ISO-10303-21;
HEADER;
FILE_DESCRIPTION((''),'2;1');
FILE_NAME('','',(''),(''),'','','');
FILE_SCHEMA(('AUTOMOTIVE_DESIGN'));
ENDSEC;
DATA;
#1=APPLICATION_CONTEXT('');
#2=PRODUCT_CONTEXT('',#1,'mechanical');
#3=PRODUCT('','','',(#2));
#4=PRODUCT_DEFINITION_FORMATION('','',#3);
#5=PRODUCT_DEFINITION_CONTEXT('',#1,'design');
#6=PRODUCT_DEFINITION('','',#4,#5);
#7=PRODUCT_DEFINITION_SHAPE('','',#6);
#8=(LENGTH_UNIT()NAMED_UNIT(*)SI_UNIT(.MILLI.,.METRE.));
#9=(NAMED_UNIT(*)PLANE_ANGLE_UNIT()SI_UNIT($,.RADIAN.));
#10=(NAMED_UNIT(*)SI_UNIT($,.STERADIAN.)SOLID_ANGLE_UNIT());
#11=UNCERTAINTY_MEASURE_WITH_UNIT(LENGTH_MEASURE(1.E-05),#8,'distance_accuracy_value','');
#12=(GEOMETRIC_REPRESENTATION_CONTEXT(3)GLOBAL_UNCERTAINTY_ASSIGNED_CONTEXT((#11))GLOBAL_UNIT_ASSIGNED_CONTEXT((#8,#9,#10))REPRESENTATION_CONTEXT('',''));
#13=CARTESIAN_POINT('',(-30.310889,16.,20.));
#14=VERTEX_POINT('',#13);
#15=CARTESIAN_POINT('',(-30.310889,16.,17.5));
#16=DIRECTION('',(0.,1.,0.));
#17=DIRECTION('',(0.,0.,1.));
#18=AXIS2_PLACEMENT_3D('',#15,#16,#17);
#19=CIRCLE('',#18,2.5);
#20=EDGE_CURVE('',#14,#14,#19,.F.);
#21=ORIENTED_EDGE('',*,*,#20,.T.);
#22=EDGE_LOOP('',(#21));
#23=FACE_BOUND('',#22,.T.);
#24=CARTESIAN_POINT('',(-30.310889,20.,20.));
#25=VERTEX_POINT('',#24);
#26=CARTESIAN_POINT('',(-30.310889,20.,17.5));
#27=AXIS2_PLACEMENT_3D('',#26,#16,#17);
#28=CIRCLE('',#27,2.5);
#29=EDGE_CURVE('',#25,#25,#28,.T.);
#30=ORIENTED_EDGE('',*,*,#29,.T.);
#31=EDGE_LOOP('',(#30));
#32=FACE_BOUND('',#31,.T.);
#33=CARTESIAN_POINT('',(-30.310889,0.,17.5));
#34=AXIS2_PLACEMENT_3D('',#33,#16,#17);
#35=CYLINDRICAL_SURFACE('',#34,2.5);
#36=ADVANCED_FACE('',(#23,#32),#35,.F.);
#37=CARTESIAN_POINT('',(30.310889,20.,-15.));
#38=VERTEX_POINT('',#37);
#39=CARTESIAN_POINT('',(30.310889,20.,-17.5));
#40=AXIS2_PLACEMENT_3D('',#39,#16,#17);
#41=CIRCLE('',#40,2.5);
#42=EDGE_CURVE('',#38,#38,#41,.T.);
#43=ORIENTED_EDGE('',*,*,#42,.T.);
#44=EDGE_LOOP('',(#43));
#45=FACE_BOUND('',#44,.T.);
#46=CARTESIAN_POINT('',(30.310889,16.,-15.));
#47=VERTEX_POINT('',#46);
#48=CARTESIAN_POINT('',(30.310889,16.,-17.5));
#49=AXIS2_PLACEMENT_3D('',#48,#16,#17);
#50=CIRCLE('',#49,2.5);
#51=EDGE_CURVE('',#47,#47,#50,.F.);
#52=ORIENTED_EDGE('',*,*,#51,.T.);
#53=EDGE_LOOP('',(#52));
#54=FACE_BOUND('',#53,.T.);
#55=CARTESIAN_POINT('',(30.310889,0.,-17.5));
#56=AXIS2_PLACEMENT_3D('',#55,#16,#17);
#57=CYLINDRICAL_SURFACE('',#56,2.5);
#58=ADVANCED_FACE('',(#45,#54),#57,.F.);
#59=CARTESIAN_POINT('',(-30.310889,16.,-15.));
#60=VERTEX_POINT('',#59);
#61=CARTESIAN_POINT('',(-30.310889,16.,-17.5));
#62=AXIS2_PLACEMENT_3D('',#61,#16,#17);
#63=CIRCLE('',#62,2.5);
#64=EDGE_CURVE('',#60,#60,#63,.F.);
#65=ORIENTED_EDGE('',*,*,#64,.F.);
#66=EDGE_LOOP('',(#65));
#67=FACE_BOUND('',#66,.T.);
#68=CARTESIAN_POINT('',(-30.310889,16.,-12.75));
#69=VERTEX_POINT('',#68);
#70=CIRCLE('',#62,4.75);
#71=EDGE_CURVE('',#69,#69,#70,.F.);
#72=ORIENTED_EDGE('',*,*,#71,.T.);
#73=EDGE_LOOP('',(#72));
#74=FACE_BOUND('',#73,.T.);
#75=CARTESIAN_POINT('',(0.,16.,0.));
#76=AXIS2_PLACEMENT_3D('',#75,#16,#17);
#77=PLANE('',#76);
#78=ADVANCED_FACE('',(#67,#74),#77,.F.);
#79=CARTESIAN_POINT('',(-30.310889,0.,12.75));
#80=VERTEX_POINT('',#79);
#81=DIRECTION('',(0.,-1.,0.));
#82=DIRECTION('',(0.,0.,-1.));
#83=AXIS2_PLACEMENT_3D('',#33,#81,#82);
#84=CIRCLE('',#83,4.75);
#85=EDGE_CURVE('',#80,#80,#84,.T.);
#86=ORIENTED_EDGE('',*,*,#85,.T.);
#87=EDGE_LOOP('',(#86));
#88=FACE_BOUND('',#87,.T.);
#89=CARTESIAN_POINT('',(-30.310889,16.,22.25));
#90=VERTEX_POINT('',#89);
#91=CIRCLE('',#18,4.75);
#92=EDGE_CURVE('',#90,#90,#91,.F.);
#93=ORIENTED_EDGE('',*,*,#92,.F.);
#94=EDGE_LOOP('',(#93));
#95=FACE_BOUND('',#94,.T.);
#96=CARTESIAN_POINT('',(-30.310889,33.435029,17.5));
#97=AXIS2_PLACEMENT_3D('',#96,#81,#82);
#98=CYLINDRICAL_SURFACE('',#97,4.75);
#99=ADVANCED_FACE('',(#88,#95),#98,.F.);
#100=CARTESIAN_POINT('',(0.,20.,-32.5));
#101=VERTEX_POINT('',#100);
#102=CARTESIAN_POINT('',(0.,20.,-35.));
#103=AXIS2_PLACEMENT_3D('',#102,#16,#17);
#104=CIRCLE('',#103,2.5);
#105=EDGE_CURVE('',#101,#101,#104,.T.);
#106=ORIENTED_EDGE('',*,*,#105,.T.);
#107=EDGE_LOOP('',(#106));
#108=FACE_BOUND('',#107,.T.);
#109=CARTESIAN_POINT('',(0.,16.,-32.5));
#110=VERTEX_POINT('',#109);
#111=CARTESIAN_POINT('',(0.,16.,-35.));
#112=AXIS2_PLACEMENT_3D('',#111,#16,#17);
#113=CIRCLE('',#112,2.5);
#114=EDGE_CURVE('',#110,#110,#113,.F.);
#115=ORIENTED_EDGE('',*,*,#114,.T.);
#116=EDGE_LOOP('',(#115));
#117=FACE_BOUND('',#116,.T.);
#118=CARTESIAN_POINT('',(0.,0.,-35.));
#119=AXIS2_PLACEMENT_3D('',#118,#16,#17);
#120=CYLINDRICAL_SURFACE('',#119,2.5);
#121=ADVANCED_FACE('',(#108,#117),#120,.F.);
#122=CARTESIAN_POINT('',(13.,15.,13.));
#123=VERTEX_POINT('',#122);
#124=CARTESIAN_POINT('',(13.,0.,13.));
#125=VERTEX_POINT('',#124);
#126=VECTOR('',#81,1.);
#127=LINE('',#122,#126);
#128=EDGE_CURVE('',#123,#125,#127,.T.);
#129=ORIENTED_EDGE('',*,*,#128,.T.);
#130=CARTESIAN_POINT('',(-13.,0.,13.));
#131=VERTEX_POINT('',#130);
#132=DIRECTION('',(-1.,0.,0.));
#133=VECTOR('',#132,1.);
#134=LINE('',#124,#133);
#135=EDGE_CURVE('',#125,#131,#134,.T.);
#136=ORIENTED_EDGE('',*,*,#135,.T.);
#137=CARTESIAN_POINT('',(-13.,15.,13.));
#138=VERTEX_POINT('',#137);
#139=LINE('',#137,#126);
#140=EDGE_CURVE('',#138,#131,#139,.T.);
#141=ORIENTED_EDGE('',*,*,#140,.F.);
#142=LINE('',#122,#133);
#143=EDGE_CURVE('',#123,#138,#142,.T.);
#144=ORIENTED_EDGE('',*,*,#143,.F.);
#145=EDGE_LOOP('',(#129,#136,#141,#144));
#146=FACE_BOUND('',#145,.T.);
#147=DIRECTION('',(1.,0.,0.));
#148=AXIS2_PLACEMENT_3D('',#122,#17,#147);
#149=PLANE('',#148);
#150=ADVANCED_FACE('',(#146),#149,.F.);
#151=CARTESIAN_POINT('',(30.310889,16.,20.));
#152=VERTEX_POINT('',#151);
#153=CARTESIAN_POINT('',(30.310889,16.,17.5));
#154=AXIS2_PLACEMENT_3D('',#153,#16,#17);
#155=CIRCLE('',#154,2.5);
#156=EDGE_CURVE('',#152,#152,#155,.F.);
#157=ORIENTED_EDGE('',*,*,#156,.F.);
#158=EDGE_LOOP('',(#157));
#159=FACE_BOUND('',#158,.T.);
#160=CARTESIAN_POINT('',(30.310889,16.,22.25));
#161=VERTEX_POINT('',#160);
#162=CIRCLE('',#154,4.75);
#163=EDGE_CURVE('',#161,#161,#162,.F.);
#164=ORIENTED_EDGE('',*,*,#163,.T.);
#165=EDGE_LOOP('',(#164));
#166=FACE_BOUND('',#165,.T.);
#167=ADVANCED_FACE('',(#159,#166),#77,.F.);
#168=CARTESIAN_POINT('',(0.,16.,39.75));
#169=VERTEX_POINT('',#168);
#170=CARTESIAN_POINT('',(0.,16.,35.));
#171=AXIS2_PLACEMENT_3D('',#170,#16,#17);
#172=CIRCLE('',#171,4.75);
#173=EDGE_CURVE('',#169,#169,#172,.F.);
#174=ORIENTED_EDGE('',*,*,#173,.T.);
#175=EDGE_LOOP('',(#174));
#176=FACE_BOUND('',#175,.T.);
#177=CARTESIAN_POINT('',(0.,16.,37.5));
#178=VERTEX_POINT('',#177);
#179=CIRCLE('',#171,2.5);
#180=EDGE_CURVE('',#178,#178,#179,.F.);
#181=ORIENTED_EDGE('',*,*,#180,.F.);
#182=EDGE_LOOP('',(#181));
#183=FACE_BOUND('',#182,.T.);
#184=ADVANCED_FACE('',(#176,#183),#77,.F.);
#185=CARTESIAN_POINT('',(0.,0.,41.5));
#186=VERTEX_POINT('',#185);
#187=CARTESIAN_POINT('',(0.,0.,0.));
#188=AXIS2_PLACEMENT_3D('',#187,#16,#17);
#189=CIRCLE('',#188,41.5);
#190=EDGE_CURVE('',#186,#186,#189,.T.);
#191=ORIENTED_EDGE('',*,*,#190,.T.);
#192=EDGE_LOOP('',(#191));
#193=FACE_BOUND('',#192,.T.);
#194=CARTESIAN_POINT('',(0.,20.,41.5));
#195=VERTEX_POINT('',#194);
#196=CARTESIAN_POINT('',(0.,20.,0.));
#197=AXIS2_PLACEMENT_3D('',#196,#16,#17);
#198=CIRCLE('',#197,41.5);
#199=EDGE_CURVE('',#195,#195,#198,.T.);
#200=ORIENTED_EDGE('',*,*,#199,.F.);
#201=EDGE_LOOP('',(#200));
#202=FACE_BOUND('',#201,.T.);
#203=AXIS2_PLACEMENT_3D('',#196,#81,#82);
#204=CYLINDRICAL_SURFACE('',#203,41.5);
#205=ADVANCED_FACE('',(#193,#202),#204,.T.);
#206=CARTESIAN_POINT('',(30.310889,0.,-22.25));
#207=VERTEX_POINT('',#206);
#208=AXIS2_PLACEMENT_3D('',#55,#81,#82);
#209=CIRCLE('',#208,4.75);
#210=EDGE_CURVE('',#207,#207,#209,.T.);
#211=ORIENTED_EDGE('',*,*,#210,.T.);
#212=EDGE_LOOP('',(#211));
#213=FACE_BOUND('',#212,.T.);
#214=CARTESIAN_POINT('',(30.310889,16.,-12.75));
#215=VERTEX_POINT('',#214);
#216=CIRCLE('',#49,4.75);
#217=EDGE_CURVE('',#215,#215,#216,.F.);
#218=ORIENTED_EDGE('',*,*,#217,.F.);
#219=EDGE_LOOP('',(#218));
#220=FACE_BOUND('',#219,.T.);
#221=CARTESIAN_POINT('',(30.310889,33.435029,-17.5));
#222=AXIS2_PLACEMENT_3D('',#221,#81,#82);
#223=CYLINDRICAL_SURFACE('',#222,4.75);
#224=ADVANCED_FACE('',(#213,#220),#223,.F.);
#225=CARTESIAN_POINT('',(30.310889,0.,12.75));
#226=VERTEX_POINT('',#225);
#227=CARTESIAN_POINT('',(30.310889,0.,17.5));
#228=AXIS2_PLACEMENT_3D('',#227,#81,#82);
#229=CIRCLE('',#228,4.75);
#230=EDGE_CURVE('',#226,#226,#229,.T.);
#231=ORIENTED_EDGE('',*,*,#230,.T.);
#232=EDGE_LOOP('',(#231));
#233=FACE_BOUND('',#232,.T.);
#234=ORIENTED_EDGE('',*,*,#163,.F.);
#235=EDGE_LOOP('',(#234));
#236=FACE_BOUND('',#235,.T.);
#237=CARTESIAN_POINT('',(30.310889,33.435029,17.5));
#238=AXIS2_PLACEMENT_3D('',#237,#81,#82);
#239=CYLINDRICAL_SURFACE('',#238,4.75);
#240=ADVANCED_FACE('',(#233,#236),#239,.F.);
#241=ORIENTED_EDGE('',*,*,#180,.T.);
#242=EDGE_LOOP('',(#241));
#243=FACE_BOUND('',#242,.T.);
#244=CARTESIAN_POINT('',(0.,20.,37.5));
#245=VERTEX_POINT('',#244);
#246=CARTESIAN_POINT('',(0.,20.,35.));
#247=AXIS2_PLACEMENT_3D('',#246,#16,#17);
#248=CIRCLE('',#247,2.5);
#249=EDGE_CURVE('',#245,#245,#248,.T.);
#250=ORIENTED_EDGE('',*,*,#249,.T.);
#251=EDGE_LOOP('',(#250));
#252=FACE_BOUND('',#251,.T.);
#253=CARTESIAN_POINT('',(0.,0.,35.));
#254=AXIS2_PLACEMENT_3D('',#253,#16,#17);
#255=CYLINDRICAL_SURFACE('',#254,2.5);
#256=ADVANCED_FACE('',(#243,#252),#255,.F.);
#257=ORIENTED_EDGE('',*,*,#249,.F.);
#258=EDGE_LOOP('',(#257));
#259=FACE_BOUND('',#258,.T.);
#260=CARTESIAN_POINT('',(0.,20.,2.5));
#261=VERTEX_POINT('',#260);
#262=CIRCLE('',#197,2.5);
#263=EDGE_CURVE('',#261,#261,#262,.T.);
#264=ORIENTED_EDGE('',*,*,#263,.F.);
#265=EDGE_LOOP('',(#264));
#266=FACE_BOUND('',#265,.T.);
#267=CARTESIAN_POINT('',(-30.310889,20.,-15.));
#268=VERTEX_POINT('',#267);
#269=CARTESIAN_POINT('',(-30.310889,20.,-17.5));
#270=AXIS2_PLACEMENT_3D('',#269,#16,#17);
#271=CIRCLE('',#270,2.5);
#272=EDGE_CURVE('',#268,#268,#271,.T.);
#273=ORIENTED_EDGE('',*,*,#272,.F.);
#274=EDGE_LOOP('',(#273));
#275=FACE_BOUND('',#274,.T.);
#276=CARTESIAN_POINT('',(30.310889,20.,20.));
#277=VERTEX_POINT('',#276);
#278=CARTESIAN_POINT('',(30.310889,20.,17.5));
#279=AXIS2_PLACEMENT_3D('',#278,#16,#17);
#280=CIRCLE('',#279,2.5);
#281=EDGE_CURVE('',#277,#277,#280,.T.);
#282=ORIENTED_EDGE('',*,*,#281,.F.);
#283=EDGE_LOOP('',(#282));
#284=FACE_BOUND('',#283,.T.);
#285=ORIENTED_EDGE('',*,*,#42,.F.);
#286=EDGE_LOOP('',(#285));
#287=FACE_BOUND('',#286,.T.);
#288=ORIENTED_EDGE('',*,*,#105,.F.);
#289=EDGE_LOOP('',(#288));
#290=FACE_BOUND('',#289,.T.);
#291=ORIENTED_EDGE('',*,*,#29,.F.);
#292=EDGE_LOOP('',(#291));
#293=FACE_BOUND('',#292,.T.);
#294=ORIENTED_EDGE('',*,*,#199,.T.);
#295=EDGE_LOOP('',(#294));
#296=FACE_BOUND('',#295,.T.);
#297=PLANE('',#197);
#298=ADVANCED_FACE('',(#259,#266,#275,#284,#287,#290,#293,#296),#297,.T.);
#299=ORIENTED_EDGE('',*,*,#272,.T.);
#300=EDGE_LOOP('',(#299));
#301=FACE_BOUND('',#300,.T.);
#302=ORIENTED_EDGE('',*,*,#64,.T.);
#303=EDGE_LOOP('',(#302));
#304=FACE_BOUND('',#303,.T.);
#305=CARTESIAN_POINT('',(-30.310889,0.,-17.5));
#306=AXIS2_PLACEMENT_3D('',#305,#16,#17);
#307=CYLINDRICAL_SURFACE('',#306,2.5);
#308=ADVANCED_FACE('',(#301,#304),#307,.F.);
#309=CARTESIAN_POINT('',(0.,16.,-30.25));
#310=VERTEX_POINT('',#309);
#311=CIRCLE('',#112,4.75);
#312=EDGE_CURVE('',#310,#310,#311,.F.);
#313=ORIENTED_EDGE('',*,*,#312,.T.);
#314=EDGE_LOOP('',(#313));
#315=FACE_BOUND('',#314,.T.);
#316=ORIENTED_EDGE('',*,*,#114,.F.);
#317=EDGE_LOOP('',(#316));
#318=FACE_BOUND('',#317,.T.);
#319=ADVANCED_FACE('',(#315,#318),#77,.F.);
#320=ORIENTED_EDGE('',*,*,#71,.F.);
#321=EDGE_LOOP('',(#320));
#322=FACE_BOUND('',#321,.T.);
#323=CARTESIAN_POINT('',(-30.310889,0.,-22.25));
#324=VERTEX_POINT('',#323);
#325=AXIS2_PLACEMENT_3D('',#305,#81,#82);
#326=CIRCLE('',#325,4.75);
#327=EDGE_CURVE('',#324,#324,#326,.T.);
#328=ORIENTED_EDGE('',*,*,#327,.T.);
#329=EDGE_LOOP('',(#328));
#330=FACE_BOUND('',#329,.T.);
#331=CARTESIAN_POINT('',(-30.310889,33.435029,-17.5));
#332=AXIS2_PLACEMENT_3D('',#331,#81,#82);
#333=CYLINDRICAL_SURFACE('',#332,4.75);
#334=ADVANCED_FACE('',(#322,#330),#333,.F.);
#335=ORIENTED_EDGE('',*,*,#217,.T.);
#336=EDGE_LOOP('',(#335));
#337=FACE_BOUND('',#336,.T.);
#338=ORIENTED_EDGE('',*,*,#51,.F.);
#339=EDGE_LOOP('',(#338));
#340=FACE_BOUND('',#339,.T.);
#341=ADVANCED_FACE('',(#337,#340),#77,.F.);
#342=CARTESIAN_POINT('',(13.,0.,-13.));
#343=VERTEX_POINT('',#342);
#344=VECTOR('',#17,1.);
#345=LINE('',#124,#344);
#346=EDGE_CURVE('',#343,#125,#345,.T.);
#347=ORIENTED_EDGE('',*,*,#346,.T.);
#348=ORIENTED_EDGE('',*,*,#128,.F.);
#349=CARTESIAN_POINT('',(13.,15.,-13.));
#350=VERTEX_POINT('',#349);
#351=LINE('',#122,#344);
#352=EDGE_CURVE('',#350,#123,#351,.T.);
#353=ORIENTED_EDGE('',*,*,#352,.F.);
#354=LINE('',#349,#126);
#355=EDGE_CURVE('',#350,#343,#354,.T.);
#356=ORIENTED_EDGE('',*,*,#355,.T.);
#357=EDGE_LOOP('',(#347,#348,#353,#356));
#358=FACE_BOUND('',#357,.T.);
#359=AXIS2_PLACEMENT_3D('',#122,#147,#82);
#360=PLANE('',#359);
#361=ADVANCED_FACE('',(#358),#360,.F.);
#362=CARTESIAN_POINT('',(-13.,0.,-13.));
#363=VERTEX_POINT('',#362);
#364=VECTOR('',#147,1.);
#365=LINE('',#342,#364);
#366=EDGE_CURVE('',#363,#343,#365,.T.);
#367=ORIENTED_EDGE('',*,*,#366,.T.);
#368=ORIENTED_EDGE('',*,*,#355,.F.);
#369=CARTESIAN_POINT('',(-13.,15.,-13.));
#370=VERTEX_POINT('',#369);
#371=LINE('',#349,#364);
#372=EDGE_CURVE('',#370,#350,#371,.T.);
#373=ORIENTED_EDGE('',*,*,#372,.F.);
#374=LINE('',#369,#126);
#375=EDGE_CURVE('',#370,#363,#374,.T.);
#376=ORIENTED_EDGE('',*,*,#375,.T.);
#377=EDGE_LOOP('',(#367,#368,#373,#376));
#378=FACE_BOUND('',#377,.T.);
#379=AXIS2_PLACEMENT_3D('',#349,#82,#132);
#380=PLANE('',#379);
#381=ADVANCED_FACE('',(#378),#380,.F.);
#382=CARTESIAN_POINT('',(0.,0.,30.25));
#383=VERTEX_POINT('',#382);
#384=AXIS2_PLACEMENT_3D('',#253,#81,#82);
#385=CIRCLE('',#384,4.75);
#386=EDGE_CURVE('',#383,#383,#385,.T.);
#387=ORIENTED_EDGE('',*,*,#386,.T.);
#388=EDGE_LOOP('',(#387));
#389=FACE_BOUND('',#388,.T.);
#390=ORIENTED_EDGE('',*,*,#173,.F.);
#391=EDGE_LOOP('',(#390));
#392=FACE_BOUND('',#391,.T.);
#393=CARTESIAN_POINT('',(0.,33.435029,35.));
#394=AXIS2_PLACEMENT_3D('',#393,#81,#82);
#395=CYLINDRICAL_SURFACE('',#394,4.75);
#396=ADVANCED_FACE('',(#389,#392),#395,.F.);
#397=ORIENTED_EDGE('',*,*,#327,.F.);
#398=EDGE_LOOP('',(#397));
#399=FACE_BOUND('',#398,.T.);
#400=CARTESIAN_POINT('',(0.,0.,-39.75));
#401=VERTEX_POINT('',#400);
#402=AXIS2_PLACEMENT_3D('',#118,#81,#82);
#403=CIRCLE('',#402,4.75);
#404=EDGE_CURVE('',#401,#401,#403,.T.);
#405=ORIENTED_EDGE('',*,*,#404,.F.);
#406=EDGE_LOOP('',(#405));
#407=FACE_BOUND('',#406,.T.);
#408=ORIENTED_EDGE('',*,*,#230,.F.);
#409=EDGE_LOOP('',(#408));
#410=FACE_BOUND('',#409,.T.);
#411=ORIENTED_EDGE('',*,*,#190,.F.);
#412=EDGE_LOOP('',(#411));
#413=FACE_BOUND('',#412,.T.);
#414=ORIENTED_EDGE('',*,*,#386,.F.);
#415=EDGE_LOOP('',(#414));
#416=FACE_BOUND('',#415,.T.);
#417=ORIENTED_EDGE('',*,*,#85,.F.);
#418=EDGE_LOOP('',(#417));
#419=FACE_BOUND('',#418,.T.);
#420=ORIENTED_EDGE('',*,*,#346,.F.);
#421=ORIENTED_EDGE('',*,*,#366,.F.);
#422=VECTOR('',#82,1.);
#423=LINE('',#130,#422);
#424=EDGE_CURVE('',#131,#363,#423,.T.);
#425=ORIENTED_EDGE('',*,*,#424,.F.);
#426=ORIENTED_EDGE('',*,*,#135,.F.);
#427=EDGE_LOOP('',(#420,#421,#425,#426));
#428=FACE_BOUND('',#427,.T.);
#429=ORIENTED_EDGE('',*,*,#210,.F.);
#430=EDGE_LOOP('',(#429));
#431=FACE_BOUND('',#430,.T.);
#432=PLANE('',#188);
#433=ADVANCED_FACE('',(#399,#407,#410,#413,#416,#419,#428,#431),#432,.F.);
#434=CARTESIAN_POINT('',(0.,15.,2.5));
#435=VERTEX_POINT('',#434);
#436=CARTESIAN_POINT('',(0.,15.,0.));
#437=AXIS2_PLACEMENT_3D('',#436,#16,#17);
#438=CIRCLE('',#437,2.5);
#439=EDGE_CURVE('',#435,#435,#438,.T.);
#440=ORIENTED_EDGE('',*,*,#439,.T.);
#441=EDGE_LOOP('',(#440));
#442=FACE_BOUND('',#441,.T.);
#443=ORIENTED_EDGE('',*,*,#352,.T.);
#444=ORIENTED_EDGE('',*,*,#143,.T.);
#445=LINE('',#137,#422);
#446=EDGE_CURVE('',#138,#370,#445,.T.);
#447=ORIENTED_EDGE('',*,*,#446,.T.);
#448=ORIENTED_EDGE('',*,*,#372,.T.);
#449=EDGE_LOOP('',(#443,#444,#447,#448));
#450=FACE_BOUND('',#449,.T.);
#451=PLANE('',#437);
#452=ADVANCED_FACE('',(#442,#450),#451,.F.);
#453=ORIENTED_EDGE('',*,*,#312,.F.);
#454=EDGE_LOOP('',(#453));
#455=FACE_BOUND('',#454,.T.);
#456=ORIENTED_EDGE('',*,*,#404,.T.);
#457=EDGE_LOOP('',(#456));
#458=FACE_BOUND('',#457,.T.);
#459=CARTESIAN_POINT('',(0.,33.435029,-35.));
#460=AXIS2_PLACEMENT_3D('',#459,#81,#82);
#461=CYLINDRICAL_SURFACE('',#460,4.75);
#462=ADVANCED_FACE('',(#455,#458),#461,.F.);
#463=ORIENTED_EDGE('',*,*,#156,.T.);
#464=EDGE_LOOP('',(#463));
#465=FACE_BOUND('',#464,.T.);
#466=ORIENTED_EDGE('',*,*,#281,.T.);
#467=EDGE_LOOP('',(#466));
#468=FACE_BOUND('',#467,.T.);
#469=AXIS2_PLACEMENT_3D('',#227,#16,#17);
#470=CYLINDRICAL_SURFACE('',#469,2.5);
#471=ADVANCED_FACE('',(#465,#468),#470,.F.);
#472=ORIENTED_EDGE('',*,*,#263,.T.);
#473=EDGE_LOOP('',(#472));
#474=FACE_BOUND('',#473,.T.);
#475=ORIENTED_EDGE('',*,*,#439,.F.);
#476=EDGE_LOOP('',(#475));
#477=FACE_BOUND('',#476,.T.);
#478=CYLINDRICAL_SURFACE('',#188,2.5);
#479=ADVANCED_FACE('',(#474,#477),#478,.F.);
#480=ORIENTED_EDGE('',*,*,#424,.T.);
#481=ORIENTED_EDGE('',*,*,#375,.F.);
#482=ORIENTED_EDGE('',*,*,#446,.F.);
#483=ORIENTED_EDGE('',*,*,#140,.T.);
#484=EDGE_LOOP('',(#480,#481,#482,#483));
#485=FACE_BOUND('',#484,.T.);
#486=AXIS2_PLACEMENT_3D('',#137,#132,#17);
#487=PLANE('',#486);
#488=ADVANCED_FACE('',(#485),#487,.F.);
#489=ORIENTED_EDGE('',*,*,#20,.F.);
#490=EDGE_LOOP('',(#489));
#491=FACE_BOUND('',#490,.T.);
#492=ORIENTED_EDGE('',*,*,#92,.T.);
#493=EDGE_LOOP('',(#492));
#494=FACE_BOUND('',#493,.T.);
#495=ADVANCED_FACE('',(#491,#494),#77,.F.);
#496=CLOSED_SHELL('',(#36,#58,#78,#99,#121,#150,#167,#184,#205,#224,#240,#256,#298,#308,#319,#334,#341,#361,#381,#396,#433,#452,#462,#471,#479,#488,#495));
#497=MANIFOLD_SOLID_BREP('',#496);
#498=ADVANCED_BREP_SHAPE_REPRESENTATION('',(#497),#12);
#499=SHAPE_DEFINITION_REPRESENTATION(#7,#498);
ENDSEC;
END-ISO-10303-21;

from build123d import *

# Parameters (mm, degrees)
SKETCH1_R                     = 41.5
MAIN_PLATE_DEPTH              = 20
SKETCH3_R                     = 2.5
MOMO_SPARKO_DEPTH             = 63.004032127
SKETCH6_R                     = 4.75
MOMO_SPARKO_SCREW_HEADS_DEPTH = 16
SKETCH7_W                     = 26
SKETCH7_H                     = 26
CUT_EXTRUDE1_DEPTH            = 15
SKETCH8_R                     = 2.5
CUT_EXTRUDE2_DEPTH            = 63.004032127


with BuildPart() as part:
    # Sketch1 → Main Plate (new body)
    with BuildSketch(Plane(origin=(0, 0, 0), x_dir=(1, 0, 0), z_dir=(0, 1, 0))):
        with Locations(Location((0, 0, 0), (0, 0, 270))):
            Circle(SKETCH1_R)
    extrude(amount=MAIN_PLATE_DEPTH)

    # Sketch3 → Momo - Sparko (cut, through all)
    with BuildSketch(Plane(origin=(0, 20, 0), x_dir=(1, 0, 0), z_dir=(0, 1, 0))):
        with Locations(Location((0, 35, 0), (0, 0, 270))):
            Circle(SKETCH3_R)
        with Locations(Location((30.310889132, 17.5, 0), (0, 0, 270))):
            Circle(SKETCH3_R)
        with Locations(Location((30.310889132, -17.5, 0), (0, 0, 270))):
            Circle(SKETCH3_R)
        with Locations(Location((0, -35, 0), (0, 0, 270))):
            Circle(SKETCH3_R)
        with Locations(Location((-30.310889132, -17.5, 0), (0, 0, 270))):
            Circle(SKETCH3_R)
        with Locations(Location((-30.310889132, 17.5, 0), (0, 0, 270))):
            Circle(SKETCH3_R)
    extrude(amount=-MOMO_SPARKO_DEPTH, mode=Mode.SUBTRACT)

    # Sketch6 → Momo - Sparko Screw Heads (cut)
    with BuildSketch(Plane.XZ):
        with Locations(Location((0, 35, 0), (0, 0, 270))):
            Circle(SKETCH6_R)
        with Locations(Location((30.310889132, 17.5, 0), (0, 0, 270))):
            Circle(SKETCH6_R)
        with Locations(Location((30.310889132, -17.5, 0), (0, 0, 270))):
            Circle(SKETCH6_R)
        with Locations(Location((0, -35, 0), (0, 0, 270))):
            Circle(SKETCH6_R)
        with Locations(Location((-30.310889132, -17.5, 0), (0, 0, 270))):
            Circle(SKETCH6_R)
        with Locations(Location((-30.310889132, 17.5, 0), (0, 0, 270))):
            Circle(SKETCH6_R)
    extrude(amount=-MOMO_SPARKO_SCREW_HEADS_DEPTH, mode=Mode.SUBTRACT)

    # Sketch7 → Cut-Extrude1 (cut)
    with BuildSketch(Plane.XZ):
        Rectangle(SKETCH7_W, SKETCH7_H)
    extrude(amount=-CUT_EXTRUDE1_DEPTH, mode=Mode.SUBTRACT)

    # Sketch8 → Cut-Extrude2 (cut, through all)
    with BuildSketch(Plane(origin=(0, 20, 0), x_dir=(1, 0, 0), z_dir=(0, 1, 0))):
        with Locations(Location((0, 0, 0), (0, 0, 270))):
            Circle(SKETCH8_R)
    extrude(amount=-CUT_EXTRUDE2_DEPTH, mode=Mode.SUBTRACT)


solid = part.part
